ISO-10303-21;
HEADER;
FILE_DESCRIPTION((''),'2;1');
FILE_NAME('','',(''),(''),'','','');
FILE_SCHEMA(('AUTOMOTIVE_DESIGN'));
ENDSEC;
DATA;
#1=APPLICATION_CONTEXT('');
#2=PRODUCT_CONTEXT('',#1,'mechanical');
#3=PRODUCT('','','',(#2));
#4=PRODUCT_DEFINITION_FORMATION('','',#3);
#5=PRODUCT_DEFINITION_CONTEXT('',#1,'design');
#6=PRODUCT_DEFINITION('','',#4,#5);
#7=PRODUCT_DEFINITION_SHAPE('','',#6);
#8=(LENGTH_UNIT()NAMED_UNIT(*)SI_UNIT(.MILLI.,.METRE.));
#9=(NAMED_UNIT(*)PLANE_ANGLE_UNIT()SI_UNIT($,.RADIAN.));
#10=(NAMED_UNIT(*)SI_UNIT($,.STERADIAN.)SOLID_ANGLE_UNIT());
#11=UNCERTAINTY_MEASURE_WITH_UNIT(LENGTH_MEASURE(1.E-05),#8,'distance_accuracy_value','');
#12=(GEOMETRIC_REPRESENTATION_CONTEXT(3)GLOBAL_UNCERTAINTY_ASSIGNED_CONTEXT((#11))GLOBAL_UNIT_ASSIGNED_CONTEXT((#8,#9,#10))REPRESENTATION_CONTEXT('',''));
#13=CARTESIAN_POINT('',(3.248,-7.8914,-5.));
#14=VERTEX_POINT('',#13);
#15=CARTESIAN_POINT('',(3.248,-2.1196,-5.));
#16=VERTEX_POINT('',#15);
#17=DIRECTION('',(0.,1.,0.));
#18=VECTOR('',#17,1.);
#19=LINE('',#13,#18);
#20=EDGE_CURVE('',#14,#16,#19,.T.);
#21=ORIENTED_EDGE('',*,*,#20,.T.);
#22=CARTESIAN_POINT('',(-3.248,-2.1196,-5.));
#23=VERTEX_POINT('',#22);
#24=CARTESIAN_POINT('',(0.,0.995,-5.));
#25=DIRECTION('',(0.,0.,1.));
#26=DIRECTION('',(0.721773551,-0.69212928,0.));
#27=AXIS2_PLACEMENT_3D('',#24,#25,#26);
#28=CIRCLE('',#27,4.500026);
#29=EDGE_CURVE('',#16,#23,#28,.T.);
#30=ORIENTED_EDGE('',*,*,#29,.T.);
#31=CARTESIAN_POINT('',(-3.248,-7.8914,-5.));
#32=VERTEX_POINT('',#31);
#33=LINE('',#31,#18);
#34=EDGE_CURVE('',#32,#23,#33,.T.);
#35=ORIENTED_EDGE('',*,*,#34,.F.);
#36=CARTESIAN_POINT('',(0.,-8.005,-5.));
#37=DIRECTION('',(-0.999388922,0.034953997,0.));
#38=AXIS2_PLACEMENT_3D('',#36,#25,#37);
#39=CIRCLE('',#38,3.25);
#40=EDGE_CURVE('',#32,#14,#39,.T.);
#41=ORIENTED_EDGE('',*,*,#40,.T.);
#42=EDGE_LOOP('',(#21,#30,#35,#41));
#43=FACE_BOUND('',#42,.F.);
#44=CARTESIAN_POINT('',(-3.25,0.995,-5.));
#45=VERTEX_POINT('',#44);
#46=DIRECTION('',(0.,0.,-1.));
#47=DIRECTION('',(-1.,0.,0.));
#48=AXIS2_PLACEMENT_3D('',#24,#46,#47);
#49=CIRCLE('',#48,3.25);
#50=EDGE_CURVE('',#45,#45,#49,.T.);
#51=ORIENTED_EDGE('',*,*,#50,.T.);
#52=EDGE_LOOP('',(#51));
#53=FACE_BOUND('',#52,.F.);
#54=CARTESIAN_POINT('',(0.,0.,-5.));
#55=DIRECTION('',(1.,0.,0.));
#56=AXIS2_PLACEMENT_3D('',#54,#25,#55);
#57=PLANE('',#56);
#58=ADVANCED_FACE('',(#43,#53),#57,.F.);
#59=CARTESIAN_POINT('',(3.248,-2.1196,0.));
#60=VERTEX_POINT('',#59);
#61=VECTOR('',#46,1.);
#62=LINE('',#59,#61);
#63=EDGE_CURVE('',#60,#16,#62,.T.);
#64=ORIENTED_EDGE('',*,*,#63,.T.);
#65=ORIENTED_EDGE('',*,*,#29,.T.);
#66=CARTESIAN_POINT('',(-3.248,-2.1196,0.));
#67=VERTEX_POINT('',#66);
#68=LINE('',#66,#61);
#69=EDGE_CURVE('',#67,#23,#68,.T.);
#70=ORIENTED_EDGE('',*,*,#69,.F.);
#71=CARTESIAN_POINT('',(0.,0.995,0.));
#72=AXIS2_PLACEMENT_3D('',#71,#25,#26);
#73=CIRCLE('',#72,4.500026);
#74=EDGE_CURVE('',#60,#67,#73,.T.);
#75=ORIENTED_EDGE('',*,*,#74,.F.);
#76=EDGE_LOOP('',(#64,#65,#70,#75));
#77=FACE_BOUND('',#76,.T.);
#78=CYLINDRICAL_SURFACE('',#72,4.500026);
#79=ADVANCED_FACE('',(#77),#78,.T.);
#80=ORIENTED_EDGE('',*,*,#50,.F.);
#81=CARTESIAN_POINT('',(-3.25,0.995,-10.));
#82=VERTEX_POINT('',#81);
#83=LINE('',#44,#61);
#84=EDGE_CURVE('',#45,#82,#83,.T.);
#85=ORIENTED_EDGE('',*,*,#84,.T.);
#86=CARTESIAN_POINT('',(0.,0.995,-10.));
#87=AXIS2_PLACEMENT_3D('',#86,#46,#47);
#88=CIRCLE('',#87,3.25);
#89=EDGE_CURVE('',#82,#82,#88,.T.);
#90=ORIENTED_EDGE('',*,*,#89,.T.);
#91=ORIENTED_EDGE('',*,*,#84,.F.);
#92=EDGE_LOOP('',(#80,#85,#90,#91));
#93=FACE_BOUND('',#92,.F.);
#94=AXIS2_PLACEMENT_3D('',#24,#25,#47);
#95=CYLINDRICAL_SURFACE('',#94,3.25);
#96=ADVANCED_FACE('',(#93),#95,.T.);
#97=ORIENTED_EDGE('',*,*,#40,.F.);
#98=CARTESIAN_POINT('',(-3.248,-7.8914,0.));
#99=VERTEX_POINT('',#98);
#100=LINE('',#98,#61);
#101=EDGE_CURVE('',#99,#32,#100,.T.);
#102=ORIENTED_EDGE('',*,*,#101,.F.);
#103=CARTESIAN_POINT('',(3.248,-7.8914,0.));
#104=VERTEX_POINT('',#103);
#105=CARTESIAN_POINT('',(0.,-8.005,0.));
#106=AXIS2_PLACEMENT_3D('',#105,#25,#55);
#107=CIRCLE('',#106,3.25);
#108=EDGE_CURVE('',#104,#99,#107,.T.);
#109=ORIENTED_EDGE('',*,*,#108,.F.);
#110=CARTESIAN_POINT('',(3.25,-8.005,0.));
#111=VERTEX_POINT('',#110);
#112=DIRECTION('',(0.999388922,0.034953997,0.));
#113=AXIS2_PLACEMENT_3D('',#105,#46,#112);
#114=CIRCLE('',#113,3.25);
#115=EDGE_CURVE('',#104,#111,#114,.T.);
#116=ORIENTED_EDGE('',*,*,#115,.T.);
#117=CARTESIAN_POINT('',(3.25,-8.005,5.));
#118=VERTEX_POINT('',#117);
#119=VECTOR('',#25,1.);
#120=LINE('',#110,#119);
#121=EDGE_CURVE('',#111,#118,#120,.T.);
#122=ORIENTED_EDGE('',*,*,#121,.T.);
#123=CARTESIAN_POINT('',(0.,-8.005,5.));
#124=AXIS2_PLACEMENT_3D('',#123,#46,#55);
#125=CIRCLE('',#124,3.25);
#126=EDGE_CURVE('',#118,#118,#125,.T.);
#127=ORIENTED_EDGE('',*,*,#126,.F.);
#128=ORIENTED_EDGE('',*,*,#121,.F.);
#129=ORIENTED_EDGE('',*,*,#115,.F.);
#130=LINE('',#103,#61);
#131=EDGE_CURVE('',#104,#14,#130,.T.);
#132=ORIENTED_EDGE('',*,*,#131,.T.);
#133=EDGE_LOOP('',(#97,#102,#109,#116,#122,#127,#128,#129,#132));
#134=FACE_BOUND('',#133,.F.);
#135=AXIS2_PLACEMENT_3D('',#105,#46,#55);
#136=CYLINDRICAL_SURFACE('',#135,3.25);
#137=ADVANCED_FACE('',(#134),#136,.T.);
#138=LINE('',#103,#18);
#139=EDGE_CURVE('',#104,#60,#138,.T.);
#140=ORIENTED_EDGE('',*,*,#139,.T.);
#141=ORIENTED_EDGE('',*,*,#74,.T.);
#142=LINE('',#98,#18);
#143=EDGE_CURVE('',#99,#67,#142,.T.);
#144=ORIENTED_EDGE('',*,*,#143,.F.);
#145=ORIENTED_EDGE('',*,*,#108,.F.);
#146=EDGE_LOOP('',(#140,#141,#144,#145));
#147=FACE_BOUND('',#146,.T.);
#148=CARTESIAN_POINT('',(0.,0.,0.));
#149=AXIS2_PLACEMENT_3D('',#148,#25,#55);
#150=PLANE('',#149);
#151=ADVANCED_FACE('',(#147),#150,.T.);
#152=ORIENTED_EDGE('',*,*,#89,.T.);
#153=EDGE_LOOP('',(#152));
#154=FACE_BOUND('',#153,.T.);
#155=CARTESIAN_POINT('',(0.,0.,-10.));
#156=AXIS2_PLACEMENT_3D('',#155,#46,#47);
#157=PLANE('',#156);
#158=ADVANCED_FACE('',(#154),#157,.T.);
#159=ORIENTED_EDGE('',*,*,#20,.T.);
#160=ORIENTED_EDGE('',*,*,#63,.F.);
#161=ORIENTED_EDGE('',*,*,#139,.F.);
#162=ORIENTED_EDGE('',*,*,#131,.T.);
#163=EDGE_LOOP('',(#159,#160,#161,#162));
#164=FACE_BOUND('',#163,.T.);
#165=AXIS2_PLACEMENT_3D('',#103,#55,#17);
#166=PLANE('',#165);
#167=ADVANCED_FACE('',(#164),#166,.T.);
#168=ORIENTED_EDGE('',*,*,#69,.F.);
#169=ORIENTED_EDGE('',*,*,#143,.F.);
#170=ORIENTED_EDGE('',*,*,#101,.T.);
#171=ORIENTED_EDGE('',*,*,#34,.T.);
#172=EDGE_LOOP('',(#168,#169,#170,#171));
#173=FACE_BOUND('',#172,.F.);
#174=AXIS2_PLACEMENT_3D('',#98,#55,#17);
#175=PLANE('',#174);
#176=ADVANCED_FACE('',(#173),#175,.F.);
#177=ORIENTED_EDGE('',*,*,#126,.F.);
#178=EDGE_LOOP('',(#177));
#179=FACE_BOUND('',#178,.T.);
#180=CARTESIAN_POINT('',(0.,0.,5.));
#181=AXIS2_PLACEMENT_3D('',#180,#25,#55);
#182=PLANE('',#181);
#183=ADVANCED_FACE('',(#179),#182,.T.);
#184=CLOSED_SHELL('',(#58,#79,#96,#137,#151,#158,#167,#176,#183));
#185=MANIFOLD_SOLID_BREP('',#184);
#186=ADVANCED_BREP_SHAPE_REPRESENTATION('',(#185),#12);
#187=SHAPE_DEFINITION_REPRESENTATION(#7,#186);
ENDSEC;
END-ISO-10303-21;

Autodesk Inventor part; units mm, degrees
ref_plane "YZ Plane" through (0, 0, 0) normal (1, 0, 0) x (0, 1, 0)
ref_plane "XZ Plane" through (0, 0, 0) normal (0, 1, 0) x (-1, 0, 0)
ref_plane "XY Plane" through (0, 0, 0) normal (0, 0, 1) x (1, 0, 0)
sketch "Sketch2" plane through (0, 0, 0) normal (0, 0, 1) x (1, 0, 0)
  arc A0 (3.248, -2.1196) -> (-3.248, -2.1196) centre (0, 0.995) ccw
  line L0 (-3.248, -7.8914) -> (-3.248, -2.1196)
  circle A1 centre (0, -8.005) radius 3.25
  circle A2 centre (0, 0.995) radius 3.25
  line L1 (0, -15.3117) -> (0, 6.7515) construction
  line L2 (3.248, -7.8914) -> (3.248, -2.1196)
  point P0 (0, 0)
  point P1 (-2.9785, -8.0287)
  dimension "d6" = 6.5
  dimension "d7" = 9
  dimension "d8" = 9
extrude "Extrusion1" add sketch "Sketch2" against normal blind 5 contours L2 A1 L0 A0 | A1 | A2
extrude "Extrusion2" add sketch "Sketch2" along normal blind 5 contours A1
sketch "Sketch3" plane through (0, 0, -5) normal (0, 0, -1) x (-1, 0, 0)
  circle A0 centre (0, 0.995) radius 3.25 projected
  point P0 (0, 0)
extrude "Extrusion3" add sketch "Sketch3" along normal blind 5
equation "\"d6\" = R"
equation "\"d7\" = R1"
equation "\"d0\" = thickness"
equation "\"d2\" = thickness"
equation "\"d4\" = thickness"
equation "\"R\" = 6.5"
equation "\"thickness\" = 5"
equation "\"width\" = 6.5"
equation "\"R1\" = 9"
